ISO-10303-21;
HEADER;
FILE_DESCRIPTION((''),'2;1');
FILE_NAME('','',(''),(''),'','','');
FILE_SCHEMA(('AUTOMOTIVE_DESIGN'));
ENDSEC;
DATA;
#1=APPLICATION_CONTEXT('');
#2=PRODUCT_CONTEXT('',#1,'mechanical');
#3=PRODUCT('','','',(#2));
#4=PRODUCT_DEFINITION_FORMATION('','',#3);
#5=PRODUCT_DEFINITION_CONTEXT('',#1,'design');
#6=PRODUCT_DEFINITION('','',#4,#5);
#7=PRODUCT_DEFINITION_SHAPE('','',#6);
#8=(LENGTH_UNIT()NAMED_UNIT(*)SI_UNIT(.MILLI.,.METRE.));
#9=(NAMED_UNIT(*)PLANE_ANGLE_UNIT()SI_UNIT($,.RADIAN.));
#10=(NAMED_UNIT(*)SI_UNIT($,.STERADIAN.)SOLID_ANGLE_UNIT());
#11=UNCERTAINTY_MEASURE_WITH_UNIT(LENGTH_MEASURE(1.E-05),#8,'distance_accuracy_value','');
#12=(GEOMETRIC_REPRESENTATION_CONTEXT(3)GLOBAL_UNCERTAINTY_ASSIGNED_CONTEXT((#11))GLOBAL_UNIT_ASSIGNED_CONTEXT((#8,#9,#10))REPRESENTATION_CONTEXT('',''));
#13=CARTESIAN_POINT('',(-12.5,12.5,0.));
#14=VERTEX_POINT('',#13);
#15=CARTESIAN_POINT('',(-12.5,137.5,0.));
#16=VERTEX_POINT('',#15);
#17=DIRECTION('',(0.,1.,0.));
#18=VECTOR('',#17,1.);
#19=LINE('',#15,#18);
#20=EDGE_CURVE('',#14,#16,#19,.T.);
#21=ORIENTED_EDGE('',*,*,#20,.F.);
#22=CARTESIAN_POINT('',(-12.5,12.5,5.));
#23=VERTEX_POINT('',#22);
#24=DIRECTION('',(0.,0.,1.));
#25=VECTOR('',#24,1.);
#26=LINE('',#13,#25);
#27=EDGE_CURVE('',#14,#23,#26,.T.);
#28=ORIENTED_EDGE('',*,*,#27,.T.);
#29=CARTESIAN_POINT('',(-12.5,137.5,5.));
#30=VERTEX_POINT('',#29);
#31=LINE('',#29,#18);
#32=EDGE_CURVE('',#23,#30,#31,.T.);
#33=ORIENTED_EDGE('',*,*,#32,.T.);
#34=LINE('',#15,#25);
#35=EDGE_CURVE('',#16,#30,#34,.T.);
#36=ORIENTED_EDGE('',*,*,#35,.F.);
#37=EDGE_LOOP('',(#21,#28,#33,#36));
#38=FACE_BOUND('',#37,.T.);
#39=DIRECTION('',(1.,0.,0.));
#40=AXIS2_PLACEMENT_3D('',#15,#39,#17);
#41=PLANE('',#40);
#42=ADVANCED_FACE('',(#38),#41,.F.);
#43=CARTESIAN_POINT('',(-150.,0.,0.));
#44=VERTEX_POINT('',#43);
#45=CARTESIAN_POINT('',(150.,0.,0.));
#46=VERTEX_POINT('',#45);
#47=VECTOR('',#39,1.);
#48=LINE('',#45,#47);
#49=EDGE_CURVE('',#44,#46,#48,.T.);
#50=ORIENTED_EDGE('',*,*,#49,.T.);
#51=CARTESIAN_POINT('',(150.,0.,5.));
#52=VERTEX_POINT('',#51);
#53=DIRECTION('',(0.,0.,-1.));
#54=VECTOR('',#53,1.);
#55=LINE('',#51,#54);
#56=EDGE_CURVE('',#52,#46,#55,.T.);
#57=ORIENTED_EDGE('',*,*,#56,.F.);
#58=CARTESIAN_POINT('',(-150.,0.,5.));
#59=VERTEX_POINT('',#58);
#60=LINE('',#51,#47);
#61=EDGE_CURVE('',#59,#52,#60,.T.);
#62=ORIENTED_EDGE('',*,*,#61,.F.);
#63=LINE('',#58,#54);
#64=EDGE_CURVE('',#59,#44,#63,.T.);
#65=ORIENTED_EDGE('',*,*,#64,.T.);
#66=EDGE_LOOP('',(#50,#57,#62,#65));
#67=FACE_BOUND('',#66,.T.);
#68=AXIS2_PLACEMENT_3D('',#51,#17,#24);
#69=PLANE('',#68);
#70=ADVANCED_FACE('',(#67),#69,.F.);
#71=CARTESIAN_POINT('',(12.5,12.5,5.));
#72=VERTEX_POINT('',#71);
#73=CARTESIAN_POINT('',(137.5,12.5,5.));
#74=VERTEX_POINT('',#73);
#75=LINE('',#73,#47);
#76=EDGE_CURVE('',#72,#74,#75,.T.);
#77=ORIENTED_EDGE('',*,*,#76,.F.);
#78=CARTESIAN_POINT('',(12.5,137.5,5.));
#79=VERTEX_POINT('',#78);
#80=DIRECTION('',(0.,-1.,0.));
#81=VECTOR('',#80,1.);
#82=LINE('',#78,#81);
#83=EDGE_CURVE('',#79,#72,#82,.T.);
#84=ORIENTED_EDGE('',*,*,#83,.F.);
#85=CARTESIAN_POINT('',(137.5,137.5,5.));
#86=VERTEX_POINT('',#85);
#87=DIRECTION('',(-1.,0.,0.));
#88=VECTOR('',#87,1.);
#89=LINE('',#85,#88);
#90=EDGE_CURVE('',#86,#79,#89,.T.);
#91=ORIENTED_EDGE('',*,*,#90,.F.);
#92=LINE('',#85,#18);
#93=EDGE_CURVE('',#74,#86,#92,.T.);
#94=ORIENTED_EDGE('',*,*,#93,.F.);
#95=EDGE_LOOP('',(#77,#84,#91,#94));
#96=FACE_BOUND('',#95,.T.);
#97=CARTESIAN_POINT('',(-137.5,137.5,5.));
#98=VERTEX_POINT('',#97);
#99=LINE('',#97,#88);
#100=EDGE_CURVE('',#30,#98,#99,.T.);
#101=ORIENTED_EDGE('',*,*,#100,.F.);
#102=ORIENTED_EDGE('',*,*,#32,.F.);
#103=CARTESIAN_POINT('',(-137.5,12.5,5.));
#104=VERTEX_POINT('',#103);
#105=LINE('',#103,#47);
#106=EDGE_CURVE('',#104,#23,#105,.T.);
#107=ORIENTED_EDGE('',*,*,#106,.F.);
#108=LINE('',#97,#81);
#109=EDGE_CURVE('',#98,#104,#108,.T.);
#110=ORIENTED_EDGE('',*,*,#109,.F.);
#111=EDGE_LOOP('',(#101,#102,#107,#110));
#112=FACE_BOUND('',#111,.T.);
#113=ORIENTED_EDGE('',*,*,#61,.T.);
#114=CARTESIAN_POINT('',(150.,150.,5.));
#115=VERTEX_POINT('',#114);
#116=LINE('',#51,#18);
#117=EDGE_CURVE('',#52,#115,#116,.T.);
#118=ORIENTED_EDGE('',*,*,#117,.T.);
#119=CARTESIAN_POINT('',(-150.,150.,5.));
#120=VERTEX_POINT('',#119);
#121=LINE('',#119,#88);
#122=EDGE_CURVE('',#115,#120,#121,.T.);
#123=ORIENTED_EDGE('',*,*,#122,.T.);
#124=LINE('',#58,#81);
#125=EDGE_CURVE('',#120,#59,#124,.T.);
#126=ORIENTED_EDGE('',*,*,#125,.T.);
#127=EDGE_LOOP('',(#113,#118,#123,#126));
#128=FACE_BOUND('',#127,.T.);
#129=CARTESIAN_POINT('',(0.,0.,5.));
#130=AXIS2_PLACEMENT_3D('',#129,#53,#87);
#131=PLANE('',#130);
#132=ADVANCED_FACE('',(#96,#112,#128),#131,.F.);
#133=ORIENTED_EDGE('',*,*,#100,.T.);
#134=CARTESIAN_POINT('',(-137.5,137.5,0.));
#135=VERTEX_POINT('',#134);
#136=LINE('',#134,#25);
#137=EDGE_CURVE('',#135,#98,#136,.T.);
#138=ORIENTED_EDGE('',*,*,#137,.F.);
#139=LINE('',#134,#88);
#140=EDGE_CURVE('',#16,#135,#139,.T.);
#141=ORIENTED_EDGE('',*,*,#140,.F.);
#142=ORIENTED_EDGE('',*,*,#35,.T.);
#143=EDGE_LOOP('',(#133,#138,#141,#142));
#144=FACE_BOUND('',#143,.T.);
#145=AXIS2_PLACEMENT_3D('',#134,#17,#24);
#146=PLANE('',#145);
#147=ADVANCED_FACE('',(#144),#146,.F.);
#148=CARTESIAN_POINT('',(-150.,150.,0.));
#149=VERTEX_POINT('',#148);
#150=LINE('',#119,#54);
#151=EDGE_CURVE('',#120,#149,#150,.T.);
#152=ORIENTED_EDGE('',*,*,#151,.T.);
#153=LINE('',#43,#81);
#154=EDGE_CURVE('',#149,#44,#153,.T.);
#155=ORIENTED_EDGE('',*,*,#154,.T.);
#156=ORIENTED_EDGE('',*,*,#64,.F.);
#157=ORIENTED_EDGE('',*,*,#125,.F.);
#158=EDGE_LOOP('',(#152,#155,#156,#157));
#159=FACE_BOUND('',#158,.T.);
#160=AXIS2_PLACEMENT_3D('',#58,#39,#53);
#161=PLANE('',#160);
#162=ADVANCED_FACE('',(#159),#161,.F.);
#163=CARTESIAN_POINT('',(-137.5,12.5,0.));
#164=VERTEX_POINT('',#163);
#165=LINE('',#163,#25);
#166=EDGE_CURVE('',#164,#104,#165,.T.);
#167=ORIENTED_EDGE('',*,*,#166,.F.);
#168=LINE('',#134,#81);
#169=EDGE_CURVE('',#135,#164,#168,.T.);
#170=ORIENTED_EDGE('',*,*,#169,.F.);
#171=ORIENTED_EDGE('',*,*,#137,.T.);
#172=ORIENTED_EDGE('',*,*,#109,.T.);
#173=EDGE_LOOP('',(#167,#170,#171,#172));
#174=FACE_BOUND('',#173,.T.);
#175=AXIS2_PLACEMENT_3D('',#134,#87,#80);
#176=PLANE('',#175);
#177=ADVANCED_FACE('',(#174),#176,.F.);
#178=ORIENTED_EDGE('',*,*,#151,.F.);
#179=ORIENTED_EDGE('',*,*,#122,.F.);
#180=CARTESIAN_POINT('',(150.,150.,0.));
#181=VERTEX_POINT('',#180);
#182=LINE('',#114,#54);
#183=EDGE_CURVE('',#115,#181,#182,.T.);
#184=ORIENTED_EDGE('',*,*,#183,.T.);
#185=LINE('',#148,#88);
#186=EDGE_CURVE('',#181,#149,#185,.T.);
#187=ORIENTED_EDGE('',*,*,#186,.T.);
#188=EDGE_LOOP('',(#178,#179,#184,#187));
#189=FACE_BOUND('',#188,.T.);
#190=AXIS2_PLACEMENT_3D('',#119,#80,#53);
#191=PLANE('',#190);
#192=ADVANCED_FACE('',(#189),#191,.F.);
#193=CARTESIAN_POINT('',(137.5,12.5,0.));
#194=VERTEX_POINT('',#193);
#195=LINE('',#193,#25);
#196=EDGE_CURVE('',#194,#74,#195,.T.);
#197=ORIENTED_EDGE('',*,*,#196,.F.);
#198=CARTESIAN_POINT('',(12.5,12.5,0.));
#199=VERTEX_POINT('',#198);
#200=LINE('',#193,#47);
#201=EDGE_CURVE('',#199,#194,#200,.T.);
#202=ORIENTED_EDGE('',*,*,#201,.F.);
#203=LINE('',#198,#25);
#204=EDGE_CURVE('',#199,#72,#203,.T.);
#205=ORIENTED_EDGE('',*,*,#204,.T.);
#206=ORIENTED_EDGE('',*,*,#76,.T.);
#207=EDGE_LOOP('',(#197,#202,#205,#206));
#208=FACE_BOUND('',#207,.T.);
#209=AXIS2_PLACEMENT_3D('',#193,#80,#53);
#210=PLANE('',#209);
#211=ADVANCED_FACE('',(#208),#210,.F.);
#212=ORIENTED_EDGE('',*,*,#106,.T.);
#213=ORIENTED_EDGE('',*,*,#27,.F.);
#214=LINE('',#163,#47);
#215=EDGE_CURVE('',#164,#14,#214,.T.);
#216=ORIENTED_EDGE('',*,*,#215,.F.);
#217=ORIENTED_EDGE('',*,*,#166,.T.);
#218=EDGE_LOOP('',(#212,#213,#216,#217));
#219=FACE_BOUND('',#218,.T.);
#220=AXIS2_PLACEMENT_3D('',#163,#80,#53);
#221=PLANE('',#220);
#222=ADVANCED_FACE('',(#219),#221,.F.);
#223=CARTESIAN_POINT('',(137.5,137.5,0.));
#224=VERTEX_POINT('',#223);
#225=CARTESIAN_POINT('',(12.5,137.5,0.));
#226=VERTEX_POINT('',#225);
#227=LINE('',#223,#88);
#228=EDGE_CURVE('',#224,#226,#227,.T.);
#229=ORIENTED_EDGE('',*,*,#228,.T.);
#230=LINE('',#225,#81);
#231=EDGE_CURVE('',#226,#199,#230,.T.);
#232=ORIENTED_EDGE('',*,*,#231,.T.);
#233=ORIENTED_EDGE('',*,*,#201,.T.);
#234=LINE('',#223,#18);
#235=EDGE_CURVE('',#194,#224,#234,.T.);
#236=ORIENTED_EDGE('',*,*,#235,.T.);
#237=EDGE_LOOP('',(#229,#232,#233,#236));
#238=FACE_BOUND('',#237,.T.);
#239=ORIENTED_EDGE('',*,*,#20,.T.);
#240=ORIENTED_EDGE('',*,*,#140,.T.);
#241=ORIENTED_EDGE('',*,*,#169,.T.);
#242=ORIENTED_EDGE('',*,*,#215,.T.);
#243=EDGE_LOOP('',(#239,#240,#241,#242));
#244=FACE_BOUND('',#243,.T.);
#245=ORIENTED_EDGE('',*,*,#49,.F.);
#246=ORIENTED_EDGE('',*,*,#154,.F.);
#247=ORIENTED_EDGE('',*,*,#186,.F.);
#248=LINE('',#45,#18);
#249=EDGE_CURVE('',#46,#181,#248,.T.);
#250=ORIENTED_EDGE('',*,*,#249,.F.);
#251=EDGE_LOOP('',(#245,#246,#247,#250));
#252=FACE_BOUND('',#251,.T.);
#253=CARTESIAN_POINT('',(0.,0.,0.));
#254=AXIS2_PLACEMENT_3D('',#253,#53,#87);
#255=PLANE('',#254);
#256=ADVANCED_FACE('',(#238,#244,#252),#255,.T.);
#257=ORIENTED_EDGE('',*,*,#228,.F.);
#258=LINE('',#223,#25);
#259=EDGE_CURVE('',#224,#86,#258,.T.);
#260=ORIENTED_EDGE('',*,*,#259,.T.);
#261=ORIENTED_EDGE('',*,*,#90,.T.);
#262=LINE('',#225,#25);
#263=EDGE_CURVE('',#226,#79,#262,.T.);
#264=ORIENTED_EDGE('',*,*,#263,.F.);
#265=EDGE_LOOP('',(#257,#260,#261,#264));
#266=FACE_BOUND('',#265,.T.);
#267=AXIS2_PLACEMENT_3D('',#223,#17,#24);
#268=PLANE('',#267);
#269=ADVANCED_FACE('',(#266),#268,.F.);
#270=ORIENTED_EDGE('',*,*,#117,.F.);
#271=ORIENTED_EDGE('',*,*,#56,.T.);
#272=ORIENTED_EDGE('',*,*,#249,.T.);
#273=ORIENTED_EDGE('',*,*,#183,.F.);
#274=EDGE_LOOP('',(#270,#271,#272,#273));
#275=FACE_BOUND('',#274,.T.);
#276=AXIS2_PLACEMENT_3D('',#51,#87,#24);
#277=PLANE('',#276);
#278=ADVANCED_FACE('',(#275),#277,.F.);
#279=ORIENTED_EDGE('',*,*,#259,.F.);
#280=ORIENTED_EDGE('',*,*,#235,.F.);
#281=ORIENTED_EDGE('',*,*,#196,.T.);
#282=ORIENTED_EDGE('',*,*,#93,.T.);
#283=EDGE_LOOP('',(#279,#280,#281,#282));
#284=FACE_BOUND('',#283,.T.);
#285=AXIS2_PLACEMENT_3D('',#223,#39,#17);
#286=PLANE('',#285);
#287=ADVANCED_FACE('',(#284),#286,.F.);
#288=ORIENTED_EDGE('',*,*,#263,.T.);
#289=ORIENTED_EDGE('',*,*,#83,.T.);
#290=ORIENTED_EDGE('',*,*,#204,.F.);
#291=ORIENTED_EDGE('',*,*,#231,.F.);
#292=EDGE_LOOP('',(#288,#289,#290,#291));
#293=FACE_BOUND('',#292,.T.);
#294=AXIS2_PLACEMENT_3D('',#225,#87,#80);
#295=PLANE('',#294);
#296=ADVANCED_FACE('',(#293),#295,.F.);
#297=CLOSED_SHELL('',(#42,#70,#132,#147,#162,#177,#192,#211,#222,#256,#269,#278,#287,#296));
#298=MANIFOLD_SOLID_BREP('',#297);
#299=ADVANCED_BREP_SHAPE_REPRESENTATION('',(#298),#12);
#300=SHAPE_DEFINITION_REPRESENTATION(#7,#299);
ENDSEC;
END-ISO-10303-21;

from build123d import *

# Parameters (mm, degrees)
SKIZZE1_W                       = 300
SKIZZE1_H                       = 150
AUFSATZ_LINEAR_AUSTRAGEN1_DEPTH = 5
SKIZZE3_W                       = 125
SKIZZE3_H                       = 125
SCHNITT_LINEAR_AUSTRAGEN1_DEPTH = 213.190951739


with BuildPart() as part:
    # Skizze1 → Aufsatz-Linear austragen1 (new body)
    with BuildSketch(Plane.XY):
        with Locations((0, 75)):
            Rectangle(SKIZZE1_W, SKIZZE1_H)
    extrude(amount=AUFSATZ_LINEAR_AUSTRAGEN1_DEPTH)

    # Skizze3 → Schnitt-Linear austragen1 (cut, through all)
    with BuildSketch(Plane.XY.offset(5)):
        with Locations((-75, 75)):
            Rectangle(SKIZZE3_W, SKIZZE3_H)
        with Locations((75, 75)):
            Rectangle(SKIZZE3_W, SKIZZE3_H)
    extrude(amount=-SCHNITT_LINEAR_AUSTRAGEN1_DEPTH, mode=Mode.SUBTRACT)


solid = part.part
